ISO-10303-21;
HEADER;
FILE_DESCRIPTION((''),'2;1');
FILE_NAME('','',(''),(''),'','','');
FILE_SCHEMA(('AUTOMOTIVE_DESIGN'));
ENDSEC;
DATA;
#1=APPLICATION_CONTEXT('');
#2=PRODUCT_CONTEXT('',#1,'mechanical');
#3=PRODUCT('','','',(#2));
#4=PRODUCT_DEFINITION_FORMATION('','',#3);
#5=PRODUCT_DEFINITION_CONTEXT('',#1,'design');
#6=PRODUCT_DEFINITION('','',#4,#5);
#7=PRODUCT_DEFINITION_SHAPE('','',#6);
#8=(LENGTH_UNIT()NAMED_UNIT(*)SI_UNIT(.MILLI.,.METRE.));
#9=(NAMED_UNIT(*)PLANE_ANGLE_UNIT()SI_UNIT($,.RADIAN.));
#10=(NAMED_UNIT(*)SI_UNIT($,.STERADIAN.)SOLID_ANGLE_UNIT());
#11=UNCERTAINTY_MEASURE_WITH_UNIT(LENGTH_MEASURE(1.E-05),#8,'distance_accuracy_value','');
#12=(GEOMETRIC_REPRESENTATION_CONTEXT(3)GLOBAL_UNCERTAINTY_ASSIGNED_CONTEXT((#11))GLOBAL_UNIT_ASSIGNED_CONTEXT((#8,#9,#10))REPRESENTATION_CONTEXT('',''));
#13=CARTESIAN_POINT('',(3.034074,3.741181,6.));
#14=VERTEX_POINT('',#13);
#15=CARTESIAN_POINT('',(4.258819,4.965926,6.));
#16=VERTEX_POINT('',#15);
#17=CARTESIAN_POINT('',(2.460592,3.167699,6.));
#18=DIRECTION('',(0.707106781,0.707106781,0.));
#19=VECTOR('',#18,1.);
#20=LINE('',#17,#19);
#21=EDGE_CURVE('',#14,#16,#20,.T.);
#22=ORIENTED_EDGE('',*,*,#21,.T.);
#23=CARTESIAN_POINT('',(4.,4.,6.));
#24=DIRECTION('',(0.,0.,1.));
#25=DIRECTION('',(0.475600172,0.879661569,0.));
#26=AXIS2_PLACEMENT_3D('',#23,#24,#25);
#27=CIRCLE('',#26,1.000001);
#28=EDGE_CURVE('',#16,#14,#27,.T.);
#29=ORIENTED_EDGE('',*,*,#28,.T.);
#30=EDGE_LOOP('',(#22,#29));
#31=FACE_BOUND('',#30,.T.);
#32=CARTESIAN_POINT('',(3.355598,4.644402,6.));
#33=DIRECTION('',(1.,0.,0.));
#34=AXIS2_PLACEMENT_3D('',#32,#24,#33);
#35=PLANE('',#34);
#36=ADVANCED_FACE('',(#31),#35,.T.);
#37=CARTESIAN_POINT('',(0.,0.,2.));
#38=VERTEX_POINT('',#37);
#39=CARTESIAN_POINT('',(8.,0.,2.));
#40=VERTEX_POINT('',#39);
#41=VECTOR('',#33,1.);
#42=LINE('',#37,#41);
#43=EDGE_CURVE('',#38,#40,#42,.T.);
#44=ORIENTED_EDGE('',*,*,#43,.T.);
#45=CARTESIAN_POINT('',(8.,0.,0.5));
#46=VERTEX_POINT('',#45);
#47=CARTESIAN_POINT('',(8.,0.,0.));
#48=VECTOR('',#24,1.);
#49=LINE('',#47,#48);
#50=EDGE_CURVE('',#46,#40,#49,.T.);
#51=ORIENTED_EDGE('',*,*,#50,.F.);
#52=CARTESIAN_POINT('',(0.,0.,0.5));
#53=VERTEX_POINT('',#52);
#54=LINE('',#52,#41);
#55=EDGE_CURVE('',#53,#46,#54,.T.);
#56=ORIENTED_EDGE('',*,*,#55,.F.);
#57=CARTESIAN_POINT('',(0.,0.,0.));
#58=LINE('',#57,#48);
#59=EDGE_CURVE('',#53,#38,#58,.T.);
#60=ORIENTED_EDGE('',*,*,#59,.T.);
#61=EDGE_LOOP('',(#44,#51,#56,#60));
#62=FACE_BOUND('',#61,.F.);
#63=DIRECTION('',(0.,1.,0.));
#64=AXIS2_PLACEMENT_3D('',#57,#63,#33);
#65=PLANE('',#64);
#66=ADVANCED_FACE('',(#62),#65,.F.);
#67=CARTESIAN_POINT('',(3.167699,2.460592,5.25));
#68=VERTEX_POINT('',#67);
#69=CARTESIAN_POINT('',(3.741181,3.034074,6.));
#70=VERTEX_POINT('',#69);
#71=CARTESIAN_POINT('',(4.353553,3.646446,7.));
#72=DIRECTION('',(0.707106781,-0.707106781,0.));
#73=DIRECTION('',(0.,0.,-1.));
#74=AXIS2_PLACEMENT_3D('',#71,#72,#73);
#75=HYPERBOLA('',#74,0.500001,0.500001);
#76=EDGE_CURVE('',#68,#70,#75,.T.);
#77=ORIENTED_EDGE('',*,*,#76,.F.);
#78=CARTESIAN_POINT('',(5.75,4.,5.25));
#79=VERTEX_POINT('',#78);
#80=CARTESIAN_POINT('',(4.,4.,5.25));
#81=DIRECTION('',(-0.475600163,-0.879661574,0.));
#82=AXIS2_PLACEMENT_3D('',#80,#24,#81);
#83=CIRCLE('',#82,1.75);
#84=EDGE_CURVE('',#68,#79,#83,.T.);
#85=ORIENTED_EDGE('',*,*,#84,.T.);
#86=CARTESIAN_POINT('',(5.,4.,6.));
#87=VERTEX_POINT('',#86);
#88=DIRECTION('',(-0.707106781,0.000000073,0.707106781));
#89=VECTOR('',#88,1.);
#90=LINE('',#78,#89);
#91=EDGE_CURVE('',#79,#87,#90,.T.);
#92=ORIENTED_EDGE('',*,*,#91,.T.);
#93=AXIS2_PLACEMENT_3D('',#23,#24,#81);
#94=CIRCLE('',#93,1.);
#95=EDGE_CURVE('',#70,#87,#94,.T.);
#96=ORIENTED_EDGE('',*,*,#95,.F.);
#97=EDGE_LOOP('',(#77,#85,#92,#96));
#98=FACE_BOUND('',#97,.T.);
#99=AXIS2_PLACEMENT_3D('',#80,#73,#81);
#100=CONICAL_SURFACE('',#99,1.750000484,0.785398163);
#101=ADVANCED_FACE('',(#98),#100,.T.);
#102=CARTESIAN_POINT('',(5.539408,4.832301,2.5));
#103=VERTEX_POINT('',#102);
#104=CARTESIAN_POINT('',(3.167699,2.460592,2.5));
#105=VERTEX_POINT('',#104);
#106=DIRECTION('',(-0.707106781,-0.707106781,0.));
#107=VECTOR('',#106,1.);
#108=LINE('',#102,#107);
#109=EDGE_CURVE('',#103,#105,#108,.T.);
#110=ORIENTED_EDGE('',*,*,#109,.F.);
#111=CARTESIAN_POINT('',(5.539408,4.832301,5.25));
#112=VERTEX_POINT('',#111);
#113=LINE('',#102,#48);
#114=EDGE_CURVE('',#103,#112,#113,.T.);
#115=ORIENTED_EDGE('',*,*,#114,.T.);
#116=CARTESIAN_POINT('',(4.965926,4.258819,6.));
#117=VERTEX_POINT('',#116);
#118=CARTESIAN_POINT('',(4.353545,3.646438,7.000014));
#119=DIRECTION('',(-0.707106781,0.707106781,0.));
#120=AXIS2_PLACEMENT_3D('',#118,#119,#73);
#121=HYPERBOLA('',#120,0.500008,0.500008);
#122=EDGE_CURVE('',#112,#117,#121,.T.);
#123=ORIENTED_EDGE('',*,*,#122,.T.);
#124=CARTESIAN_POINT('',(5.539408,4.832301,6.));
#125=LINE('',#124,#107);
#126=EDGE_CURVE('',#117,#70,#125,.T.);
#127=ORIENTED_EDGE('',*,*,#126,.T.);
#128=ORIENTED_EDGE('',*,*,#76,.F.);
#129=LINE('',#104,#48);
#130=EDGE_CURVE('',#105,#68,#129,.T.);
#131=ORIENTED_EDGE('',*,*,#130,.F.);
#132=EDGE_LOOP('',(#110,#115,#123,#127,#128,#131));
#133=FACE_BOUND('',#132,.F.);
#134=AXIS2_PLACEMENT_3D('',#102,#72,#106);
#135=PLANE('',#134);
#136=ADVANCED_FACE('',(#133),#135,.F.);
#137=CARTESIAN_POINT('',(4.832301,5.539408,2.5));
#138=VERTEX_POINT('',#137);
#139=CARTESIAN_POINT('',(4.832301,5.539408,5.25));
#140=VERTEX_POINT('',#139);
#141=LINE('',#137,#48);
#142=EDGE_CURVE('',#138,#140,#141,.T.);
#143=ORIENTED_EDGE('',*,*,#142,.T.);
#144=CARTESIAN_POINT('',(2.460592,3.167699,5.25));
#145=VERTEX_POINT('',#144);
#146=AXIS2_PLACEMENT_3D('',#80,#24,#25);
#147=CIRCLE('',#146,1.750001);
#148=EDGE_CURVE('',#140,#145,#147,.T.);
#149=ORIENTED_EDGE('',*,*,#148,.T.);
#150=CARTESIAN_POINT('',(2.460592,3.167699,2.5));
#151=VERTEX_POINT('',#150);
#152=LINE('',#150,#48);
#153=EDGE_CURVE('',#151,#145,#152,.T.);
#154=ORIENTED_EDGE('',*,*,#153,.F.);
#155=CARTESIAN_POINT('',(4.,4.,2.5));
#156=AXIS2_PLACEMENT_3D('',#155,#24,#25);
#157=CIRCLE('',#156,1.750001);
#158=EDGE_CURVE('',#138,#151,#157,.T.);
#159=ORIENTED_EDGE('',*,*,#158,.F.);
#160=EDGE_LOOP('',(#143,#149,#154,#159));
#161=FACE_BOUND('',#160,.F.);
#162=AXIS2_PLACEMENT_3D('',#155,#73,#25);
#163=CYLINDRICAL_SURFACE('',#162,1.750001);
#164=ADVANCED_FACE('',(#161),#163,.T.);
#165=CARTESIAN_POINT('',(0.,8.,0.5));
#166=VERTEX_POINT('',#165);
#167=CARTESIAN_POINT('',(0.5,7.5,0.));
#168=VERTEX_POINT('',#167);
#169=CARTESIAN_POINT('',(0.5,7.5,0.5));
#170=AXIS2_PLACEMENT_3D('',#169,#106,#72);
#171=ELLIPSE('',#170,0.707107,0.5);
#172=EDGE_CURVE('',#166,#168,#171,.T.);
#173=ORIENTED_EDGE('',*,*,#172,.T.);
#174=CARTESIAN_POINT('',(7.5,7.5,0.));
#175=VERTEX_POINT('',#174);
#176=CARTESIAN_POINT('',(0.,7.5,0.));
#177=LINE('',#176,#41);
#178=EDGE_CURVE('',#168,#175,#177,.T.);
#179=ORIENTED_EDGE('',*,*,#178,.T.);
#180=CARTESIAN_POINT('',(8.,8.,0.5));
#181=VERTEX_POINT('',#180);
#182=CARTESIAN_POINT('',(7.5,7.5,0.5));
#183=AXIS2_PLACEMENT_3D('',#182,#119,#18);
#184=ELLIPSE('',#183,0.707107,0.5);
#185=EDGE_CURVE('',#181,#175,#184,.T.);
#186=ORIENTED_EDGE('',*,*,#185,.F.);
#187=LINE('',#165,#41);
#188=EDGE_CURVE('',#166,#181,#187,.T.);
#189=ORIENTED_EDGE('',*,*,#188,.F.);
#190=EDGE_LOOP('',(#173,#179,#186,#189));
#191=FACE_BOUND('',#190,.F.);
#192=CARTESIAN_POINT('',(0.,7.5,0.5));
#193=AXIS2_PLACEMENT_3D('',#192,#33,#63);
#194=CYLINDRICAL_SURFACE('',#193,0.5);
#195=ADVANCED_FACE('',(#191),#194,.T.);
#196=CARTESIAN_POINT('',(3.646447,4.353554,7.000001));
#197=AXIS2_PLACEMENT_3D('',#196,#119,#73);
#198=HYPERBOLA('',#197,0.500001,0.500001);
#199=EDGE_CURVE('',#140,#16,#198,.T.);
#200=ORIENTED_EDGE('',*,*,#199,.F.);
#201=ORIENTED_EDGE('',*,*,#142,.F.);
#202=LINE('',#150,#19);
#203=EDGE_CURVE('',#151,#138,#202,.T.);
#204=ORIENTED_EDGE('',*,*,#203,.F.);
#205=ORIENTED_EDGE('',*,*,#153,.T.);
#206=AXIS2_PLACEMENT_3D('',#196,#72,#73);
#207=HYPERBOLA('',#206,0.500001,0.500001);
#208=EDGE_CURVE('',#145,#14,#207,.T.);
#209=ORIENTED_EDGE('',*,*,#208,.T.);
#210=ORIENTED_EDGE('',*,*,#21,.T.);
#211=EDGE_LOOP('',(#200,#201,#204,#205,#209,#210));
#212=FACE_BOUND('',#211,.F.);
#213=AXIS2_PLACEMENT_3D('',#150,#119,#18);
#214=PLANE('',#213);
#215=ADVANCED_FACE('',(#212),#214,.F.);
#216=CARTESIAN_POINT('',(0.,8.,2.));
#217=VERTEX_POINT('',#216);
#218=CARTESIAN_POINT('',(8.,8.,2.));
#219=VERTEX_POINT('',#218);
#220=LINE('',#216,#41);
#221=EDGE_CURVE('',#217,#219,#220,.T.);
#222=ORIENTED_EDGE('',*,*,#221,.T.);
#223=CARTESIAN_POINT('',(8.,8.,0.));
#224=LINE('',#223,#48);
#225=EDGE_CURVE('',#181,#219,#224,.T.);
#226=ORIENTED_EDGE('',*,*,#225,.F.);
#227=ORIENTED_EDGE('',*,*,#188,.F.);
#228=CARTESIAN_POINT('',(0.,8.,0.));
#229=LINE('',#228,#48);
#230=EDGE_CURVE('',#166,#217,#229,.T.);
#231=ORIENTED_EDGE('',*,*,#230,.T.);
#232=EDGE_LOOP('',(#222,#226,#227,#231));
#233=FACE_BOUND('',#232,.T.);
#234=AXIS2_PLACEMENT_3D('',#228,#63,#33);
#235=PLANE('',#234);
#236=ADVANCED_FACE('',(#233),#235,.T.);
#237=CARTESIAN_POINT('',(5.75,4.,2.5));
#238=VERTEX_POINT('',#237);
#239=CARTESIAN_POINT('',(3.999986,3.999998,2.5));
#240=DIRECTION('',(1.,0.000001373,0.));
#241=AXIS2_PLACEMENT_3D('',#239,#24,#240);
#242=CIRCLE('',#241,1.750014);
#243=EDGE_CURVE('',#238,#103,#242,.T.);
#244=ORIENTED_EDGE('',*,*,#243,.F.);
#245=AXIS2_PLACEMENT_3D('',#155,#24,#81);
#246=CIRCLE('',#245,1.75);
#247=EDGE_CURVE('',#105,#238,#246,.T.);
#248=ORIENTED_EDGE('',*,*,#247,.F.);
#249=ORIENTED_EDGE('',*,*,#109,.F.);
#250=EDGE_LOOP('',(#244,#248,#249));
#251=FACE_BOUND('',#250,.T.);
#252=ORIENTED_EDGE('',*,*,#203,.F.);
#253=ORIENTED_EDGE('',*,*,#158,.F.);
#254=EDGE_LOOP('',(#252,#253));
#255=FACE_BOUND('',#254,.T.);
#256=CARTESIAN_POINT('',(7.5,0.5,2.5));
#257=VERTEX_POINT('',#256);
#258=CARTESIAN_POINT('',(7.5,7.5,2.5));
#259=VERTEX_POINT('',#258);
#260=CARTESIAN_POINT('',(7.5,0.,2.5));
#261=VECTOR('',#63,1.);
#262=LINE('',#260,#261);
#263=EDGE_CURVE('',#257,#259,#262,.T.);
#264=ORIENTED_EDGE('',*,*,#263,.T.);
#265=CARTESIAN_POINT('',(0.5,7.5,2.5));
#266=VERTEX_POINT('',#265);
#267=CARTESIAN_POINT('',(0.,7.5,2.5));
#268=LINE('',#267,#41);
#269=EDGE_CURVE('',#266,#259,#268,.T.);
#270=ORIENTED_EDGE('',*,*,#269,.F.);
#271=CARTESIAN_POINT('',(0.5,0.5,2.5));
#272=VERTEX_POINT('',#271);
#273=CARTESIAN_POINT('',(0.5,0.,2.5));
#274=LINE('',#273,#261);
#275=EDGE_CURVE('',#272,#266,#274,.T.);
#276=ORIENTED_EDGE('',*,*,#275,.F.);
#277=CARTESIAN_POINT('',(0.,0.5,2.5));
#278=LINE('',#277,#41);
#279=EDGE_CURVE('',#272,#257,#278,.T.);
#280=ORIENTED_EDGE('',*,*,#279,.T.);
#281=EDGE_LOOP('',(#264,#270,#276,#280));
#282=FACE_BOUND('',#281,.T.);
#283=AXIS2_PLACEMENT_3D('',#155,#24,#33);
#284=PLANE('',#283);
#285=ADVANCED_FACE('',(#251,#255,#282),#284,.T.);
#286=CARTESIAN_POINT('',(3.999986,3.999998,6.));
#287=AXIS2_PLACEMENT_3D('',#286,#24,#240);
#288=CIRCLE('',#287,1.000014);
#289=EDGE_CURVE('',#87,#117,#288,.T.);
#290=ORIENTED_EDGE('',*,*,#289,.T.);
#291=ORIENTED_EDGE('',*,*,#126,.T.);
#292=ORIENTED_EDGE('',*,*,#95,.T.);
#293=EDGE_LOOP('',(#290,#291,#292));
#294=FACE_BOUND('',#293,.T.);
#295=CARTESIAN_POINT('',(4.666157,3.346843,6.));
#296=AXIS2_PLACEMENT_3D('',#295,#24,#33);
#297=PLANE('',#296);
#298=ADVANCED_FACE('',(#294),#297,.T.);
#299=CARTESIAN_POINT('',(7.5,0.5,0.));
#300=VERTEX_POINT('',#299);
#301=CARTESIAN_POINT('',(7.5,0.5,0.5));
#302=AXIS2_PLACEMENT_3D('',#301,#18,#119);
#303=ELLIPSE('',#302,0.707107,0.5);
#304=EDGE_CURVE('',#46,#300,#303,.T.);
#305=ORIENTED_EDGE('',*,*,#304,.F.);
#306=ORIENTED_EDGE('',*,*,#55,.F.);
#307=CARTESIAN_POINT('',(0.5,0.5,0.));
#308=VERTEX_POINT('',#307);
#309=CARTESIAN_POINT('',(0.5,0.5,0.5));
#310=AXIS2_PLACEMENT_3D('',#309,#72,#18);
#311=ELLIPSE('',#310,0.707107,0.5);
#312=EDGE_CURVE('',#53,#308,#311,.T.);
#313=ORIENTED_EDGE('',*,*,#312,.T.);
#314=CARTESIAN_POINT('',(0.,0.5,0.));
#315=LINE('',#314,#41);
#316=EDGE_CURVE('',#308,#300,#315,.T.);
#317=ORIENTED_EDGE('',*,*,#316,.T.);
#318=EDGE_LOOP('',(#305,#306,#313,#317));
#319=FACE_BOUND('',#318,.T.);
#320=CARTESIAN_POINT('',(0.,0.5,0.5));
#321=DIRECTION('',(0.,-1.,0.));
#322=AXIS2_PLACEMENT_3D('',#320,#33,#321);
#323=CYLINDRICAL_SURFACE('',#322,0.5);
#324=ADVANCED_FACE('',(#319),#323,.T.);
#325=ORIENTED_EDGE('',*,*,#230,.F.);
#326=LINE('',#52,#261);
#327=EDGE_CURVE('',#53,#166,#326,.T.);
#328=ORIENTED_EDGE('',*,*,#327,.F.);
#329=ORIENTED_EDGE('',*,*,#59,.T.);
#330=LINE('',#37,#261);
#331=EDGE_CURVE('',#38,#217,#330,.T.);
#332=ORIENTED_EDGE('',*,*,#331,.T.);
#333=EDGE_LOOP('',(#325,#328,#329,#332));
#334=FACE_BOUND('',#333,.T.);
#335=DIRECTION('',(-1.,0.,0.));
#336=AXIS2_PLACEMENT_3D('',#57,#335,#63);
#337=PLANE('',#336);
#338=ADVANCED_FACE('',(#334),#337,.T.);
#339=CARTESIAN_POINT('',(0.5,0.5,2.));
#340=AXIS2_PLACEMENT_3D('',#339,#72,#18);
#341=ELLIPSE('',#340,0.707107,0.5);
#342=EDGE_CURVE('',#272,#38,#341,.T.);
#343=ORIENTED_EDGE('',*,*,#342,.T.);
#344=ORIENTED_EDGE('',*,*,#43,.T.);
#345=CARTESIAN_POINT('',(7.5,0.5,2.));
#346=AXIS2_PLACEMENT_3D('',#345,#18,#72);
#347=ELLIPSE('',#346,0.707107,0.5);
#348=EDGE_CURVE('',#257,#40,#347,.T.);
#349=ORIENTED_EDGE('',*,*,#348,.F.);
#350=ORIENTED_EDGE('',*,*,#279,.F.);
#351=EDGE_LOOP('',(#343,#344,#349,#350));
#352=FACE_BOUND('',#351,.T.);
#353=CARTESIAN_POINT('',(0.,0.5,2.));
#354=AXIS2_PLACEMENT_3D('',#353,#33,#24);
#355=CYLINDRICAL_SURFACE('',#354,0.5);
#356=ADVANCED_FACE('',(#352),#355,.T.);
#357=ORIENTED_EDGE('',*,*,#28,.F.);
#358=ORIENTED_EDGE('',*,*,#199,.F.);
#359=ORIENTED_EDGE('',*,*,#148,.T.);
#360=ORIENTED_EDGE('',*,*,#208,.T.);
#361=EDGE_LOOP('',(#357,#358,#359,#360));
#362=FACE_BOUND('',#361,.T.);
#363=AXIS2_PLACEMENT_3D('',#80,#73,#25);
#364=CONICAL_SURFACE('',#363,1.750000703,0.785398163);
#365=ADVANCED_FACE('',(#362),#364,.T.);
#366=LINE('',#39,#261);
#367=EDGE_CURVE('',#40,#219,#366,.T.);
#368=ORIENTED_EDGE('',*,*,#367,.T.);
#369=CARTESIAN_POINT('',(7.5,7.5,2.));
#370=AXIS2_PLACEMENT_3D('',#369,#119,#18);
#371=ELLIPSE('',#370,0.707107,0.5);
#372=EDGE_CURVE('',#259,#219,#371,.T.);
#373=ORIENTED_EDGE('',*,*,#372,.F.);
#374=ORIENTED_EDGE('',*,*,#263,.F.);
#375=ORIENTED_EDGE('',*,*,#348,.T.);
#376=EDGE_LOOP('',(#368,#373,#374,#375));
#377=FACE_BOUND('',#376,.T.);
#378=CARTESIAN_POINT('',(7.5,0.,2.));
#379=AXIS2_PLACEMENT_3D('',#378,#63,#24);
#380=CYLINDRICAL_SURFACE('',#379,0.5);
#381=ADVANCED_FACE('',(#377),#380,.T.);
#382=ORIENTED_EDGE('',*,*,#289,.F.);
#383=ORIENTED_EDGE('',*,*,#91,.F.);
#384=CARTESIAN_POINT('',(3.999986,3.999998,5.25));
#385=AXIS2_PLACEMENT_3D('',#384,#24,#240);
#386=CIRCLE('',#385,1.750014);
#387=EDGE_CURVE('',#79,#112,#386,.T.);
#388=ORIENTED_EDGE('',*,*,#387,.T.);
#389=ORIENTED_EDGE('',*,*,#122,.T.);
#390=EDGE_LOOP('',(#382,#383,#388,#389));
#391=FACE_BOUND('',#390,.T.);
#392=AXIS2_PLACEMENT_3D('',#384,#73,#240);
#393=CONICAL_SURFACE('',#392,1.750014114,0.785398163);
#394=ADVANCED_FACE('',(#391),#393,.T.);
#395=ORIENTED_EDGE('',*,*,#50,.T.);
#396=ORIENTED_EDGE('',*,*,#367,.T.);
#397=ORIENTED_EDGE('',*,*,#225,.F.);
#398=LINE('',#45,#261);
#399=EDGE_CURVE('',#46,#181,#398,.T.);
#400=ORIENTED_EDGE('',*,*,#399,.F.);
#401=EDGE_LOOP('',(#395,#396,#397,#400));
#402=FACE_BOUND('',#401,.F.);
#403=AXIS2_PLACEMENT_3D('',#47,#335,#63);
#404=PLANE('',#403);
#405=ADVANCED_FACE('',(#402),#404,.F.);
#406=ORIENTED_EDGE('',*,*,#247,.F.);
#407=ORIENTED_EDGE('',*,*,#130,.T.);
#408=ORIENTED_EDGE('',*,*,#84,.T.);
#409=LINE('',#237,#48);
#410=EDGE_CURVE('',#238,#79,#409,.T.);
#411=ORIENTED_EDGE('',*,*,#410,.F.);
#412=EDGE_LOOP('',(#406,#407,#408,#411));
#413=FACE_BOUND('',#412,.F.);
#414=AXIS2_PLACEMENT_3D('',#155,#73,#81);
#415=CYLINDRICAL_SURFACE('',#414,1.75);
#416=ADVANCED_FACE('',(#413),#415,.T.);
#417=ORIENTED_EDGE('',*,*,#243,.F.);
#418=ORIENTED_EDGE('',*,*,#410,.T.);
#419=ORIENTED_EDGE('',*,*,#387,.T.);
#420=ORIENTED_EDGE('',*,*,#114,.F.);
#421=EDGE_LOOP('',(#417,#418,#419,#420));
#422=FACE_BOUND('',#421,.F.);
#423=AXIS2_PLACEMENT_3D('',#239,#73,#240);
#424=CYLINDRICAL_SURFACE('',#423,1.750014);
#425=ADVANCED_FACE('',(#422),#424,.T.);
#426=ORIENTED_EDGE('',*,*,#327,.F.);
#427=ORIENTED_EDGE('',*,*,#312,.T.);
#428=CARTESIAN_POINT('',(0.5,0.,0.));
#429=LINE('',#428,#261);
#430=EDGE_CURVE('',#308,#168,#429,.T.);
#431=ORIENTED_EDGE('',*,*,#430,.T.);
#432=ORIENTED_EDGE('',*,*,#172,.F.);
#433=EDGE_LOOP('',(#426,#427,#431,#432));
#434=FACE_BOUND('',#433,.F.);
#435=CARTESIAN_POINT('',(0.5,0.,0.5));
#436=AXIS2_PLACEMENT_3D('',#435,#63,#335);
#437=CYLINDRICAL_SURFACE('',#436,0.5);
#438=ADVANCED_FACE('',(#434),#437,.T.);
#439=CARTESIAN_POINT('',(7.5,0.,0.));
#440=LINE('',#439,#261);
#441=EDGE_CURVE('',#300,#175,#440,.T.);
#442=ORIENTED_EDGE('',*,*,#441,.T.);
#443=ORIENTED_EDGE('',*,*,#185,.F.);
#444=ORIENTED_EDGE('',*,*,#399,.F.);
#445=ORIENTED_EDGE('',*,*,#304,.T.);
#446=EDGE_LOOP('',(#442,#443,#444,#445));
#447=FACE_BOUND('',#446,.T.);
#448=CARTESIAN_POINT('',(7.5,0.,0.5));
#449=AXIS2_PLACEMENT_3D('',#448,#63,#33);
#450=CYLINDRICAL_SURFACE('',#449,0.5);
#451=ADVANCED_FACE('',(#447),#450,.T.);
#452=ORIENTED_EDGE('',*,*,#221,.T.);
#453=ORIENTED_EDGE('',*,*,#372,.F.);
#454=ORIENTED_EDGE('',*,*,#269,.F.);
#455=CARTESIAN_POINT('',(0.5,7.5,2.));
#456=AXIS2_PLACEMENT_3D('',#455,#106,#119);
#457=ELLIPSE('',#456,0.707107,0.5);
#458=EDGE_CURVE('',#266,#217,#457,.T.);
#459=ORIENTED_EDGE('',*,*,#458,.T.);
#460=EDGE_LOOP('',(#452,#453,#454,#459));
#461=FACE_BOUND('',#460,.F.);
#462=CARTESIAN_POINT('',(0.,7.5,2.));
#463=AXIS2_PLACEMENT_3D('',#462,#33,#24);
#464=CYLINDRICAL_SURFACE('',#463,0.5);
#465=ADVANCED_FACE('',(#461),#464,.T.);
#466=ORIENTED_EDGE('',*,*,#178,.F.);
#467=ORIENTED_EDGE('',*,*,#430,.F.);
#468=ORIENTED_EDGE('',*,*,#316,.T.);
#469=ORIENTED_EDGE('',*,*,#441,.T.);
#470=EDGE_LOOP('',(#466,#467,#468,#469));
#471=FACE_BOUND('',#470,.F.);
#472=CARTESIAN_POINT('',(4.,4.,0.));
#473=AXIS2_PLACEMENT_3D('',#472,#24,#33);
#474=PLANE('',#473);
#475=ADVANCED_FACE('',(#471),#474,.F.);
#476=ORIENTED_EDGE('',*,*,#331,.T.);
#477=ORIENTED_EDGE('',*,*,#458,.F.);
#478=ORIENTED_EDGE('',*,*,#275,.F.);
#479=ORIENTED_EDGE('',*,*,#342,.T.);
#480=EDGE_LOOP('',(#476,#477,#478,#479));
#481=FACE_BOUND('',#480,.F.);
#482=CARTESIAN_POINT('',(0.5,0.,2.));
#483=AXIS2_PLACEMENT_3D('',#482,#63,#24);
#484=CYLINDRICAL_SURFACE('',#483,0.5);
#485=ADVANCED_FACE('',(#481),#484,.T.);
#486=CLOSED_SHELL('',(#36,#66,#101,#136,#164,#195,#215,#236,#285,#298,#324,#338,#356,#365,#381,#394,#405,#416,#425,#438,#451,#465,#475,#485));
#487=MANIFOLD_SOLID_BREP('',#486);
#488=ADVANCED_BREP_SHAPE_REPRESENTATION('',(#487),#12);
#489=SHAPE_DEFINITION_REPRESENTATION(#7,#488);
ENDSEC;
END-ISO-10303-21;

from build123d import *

# Parameters (mm, degrees)
F0_W     = 8
F0_H     = 8
F1_DEPTH = 2.5
F3_DEPTH = 3.5
F4_SIZE  = 0.75
F5_R     = 0.5


with BuildPart() as f1:
    # F0 (on Top) → F1 (new body)
    with BuildSketch(Plane.XY):
        with Locations((4, 4)):
            Rectangle(F0_W, F0_H)
    extrude(amount=F1_DEPTH)

    # F2 (on face) → F3 (join)
    with BuildSketch(Plane.XY.offset(2.5)):
        with BuildLine():
            Line((2.460592, 3.167699), (4.832301, 5.539408))
            ThreePointArc((4.832301, 5.539408), (2.762563, 5.237437), (2.460592, 3.167699))
        make_face()
        with BuildLine():
            ThreePointArc((3.167699, 2.460592), (4.896095, 2.496832), (5.75, 4))
            ThreePointArc((5.75, 4), (5.696535, 4.429265), (5.539408, 4.832301))
            Line((5.539408, 4.832301), (3.167699, 2.460592))
        make_face()
    extrude(amount=F3_DEPTH)

    # F4
    f4_edges = [f1.edges().sort_by_distance(p)[0] for p in [
        (5.237437, 2.762563, 6),
        (2.762563, 5.237437, 6),
    ]]
    chamfer(f4_edges, length=F4_SIZE)

    # F5
    f5_edges = [f1.edges().sort_by_distance(p)[0] for p in [
        (0, 4, 2.5),
        (4, 0, 2.5),
        (8, 4, 2.5),
        (4, 8, 2.5),
        (4, 8, 0),
        (8, 4, 0),
        (4, 0, 0),
        (0, 4, 0),
    ]]
    fillet(f5_edges, radius=F5_R)


solid = f1.part
